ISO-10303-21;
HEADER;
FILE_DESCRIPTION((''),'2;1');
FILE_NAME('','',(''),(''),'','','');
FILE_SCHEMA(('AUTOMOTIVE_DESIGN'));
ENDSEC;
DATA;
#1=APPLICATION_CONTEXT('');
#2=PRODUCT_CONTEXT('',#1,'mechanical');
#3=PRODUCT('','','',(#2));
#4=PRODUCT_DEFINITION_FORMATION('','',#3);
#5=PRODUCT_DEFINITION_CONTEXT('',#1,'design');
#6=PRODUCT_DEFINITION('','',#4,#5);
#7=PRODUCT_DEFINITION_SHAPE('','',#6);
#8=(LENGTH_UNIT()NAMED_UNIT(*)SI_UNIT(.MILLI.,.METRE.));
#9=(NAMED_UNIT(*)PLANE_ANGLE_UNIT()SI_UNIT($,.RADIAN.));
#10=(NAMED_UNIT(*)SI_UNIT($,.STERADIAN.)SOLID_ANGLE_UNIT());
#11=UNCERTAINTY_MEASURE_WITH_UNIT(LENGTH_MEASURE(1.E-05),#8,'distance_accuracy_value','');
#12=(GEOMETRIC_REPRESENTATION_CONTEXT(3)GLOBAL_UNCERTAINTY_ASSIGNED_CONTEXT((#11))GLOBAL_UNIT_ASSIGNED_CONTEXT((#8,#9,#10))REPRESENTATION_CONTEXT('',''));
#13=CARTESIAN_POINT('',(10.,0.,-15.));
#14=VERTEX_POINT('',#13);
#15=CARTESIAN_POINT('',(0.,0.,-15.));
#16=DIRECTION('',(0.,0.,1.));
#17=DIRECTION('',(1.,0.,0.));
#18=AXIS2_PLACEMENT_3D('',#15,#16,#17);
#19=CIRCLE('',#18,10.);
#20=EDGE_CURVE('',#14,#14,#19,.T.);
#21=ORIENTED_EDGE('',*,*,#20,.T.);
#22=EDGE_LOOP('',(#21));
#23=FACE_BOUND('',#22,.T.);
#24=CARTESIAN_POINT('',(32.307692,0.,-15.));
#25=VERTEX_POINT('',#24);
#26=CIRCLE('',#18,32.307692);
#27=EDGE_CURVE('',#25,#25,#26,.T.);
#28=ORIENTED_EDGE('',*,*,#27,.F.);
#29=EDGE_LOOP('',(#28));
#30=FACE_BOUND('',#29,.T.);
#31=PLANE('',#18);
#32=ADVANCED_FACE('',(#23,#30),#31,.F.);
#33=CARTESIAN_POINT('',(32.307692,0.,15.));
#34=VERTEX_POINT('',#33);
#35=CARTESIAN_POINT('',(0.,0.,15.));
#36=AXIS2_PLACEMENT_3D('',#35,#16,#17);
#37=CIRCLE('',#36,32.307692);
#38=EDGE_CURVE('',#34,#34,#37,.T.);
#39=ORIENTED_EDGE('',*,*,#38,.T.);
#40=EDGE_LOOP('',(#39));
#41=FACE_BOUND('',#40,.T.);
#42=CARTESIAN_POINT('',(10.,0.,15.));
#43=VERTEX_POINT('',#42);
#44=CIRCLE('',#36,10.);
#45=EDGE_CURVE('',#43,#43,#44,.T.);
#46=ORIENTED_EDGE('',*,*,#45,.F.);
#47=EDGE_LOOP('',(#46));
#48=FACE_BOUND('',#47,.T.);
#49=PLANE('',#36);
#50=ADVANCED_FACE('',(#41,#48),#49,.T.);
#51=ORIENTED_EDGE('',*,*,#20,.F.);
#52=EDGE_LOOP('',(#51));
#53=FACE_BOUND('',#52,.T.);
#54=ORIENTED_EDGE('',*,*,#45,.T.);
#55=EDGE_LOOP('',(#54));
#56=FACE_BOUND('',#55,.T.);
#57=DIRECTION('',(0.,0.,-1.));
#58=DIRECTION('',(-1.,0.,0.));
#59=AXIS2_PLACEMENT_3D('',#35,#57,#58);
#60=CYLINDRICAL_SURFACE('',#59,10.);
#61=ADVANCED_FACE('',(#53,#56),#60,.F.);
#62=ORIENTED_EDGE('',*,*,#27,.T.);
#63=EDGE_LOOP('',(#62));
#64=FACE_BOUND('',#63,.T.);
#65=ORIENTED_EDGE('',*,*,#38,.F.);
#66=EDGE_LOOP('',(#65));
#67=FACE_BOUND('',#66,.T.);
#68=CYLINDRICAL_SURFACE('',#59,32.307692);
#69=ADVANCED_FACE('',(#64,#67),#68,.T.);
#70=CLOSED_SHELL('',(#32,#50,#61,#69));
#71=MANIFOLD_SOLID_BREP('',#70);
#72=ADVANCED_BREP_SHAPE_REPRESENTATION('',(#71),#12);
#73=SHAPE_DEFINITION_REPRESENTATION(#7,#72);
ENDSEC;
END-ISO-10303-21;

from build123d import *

# Parameters (mm, degrees)
CARRIER_START = -15
SKETCH_1_R    = 32.307692308
SKETCH_1_R_2  = 10
CARRIER_DEPTH = 30


with BuildPart() as part:
    # Эскиз1 → Carrier (new body)
    with BuildSketch(Plane.XY.offset(CARRIER_START)):
        Circle(SKETCH_1_R)
        Circle(SKETCH_1_R_2, mode=Mode.SUBTRACT)
    extrude(amount=CARRIER_DEPTH)


solid = part.part
